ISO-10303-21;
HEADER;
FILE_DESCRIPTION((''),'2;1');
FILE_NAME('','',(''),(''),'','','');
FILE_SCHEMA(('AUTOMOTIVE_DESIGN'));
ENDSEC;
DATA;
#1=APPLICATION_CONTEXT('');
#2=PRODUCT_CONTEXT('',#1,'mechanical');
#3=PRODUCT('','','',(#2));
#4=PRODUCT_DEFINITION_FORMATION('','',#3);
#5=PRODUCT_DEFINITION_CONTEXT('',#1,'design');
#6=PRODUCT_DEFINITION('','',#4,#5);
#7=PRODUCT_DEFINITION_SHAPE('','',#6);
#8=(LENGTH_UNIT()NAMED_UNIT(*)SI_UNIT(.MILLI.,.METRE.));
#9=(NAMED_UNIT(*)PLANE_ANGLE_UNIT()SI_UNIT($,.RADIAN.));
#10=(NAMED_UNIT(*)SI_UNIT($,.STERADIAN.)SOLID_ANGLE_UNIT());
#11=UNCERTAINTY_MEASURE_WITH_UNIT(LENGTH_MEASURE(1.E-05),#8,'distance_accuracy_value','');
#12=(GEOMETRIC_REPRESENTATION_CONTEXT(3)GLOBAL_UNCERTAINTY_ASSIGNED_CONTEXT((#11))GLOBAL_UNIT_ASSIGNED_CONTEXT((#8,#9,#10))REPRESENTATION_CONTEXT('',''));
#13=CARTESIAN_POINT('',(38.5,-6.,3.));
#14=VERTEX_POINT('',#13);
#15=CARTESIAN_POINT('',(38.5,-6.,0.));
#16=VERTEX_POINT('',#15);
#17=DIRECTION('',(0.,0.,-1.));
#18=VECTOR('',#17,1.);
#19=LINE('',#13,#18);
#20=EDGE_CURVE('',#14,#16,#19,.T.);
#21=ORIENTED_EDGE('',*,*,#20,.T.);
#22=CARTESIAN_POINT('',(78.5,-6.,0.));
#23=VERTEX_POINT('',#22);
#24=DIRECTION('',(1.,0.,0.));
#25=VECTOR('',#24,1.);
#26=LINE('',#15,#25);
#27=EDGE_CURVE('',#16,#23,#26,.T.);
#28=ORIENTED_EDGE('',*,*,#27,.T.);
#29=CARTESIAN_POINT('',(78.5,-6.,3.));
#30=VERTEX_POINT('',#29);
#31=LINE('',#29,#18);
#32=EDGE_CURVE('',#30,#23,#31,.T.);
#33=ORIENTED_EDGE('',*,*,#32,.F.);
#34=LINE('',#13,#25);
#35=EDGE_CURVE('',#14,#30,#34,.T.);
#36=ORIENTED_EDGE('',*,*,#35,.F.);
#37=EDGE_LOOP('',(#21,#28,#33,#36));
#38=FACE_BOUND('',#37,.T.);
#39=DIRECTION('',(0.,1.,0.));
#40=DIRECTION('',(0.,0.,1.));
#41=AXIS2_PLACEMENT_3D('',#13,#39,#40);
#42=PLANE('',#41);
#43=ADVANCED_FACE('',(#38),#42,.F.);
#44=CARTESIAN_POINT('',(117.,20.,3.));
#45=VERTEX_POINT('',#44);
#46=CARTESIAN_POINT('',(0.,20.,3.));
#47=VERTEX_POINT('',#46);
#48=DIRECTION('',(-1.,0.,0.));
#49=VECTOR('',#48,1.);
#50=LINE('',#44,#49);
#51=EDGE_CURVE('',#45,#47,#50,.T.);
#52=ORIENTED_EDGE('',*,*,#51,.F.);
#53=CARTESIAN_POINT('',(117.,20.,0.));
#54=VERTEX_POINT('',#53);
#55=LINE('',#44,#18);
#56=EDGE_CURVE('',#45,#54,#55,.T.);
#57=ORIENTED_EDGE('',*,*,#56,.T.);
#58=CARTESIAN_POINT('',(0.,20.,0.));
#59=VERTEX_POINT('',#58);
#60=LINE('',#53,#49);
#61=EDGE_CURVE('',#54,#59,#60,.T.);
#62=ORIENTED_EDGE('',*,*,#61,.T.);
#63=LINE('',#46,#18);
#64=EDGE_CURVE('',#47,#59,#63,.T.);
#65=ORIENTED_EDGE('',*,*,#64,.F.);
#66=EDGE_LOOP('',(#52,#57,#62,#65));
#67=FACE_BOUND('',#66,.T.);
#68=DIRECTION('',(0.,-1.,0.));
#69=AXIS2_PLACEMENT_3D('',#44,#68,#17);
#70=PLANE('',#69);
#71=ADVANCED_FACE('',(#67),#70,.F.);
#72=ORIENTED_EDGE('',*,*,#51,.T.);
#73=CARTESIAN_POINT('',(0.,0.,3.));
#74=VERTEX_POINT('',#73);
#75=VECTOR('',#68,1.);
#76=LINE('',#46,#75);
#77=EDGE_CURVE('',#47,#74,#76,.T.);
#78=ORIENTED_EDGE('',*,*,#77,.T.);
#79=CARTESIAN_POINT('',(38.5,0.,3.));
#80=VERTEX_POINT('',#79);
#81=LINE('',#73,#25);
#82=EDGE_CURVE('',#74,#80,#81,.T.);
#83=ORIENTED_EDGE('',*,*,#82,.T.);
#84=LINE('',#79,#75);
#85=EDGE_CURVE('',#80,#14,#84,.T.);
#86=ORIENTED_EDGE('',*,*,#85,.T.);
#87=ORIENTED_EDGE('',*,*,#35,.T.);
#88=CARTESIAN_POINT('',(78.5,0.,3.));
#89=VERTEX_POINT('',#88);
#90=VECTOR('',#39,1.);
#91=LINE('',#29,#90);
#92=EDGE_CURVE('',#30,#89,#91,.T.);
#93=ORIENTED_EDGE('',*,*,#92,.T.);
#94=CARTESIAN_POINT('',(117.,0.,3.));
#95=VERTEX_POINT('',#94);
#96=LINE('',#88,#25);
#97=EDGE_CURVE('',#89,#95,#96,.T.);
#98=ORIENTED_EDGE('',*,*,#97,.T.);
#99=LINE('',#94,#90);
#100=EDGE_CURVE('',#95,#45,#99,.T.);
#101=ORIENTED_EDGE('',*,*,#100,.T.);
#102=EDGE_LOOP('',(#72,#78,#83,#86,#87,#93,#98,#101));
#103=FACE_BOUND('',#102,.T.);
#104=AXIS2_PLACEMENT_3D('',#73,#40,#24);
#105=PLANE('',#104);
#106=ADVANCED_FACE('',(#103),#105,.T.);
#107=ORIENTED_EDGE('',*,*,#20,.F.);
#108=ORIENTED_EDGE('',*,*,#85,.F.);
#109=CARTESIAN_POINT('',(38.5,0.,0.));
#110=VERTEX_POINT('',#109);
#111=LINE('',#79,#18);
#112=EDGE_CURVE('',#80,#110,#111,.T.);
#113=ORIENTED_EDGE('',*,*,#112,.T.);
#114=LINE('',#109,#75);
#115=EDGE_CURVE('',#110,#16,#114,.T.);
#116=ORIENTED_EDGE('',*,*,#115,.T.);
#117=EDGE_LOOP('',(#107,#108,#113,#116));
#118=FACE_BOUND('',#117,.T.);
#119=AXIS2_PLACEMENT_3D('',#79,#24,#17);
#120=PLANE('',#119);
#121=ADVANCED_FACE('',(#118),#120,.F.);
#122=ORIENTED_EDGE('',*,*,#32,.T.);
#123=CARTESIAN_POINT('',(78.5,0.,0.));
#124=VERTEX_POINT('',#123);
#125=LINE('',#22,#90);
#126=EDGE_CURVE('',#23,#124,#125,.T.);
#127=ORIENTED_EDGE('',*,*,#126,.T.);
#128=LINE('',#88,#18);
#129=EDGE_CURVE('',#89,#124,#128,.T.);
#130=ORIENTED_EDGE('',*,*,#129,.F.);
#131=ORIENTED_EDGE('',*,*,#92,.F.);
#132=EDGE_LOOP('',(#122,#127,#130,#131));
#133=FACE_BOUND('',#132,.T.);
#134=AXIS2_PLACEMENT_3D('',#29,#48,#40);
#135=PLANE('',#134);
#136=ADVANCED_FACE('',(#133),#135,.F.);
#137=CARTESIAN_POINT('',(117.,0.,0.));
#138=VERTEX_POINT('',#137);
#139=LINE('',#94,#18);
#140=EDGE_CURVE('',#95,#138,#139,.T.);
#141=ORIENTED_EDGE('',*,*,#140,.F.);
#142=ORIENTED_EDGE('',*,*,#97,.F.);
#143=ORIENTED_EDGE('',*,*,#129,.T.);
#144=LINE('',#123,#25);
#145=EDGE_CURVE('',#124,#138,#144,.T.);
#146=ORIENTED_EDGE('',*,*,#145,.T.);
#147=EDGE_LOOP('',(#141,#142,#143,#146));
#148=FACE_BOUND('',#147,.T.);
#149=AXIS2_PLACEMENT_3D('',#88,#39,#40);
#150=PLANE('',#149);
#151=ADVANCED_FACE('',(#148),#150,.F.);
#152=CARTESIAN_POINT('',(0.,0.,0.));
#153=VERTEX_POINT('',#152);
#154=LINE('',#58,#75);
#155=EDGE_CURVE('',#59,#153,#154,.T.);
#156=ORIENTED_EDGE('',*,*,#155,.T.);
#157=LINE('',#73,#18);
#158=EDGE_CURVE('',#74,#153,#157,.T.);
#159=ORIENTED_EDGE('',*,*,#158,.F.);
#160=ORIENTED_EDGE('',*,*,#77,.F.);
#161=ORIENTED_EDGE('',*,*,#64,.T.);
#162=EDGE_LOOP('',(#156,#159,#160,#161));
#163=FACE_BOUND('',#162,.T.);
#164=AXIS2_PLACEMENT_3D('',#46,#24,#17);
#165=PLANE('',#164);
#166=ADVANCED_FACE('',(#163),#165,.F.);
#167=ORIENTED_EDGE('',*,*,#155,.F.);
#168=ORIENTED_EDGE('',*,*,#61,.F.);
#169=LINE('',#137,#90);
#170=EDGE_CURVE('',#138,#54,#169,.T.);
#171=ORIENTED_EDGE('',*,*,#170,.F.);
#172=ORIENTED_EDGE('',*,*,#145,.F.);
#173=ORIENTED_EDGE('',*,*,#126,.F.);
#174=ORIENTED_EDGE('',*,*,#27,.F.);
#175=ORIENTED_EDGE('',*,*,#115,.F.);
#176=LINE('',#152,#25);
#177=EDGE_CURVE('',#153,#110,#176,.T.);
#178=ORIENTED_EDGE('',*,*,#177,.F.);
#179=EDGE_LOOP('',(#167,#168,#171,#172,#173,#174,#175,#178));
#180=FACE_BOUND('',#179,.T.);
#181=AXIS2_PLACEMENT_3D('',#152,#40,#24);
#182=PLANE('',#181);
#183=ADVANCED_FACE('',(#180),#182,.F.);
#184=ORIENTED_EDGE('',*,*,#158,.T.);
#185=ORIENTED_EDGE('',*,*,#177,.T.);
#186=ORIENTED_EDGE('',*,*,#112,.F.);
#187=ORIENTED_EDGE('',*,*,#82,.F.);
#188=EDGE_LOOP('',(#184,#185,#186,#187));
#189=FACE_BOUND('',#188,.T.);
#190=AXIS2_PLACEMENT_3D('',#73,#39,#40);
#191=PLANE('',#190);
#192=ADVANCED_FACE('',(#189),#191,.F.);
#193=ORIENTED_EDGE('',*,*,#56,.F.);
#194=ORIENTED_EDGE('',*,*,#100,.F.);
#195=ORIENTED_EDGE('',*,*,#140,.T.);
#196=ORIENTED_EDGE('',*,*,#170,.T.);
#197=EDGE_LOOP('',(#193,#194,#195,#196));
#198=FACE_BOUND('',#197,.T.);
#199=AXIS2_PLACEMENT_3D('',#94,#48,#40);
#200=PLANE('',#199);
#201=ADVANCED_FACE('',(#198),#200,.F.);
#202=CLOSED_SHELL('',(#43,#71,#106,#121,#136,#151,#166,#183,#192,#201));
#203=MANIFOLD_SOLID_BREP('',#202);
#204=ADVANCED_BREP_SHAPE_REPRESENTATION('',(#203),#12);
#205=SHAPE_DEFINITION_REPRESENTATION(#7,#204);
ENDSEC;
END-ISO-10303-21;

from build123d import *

# Parameters (mm, degrees)
BOSS_EXTRUDE1_DEPTH = 3


with BuildPart() as part:
    # Sketch1 → Boss-Extrude1 (new body)
    with BuildSketch(Plane.XY):
        Polygon((0, 0), (38.5, 0), (38.5, -6), (78.5, -6), (78.5, 0), (117, 0), (117, 20), (0, 20), align=None)
    extrude(amount=BOSS_EXTRUDE1_DEPTH)


solid = part.part
